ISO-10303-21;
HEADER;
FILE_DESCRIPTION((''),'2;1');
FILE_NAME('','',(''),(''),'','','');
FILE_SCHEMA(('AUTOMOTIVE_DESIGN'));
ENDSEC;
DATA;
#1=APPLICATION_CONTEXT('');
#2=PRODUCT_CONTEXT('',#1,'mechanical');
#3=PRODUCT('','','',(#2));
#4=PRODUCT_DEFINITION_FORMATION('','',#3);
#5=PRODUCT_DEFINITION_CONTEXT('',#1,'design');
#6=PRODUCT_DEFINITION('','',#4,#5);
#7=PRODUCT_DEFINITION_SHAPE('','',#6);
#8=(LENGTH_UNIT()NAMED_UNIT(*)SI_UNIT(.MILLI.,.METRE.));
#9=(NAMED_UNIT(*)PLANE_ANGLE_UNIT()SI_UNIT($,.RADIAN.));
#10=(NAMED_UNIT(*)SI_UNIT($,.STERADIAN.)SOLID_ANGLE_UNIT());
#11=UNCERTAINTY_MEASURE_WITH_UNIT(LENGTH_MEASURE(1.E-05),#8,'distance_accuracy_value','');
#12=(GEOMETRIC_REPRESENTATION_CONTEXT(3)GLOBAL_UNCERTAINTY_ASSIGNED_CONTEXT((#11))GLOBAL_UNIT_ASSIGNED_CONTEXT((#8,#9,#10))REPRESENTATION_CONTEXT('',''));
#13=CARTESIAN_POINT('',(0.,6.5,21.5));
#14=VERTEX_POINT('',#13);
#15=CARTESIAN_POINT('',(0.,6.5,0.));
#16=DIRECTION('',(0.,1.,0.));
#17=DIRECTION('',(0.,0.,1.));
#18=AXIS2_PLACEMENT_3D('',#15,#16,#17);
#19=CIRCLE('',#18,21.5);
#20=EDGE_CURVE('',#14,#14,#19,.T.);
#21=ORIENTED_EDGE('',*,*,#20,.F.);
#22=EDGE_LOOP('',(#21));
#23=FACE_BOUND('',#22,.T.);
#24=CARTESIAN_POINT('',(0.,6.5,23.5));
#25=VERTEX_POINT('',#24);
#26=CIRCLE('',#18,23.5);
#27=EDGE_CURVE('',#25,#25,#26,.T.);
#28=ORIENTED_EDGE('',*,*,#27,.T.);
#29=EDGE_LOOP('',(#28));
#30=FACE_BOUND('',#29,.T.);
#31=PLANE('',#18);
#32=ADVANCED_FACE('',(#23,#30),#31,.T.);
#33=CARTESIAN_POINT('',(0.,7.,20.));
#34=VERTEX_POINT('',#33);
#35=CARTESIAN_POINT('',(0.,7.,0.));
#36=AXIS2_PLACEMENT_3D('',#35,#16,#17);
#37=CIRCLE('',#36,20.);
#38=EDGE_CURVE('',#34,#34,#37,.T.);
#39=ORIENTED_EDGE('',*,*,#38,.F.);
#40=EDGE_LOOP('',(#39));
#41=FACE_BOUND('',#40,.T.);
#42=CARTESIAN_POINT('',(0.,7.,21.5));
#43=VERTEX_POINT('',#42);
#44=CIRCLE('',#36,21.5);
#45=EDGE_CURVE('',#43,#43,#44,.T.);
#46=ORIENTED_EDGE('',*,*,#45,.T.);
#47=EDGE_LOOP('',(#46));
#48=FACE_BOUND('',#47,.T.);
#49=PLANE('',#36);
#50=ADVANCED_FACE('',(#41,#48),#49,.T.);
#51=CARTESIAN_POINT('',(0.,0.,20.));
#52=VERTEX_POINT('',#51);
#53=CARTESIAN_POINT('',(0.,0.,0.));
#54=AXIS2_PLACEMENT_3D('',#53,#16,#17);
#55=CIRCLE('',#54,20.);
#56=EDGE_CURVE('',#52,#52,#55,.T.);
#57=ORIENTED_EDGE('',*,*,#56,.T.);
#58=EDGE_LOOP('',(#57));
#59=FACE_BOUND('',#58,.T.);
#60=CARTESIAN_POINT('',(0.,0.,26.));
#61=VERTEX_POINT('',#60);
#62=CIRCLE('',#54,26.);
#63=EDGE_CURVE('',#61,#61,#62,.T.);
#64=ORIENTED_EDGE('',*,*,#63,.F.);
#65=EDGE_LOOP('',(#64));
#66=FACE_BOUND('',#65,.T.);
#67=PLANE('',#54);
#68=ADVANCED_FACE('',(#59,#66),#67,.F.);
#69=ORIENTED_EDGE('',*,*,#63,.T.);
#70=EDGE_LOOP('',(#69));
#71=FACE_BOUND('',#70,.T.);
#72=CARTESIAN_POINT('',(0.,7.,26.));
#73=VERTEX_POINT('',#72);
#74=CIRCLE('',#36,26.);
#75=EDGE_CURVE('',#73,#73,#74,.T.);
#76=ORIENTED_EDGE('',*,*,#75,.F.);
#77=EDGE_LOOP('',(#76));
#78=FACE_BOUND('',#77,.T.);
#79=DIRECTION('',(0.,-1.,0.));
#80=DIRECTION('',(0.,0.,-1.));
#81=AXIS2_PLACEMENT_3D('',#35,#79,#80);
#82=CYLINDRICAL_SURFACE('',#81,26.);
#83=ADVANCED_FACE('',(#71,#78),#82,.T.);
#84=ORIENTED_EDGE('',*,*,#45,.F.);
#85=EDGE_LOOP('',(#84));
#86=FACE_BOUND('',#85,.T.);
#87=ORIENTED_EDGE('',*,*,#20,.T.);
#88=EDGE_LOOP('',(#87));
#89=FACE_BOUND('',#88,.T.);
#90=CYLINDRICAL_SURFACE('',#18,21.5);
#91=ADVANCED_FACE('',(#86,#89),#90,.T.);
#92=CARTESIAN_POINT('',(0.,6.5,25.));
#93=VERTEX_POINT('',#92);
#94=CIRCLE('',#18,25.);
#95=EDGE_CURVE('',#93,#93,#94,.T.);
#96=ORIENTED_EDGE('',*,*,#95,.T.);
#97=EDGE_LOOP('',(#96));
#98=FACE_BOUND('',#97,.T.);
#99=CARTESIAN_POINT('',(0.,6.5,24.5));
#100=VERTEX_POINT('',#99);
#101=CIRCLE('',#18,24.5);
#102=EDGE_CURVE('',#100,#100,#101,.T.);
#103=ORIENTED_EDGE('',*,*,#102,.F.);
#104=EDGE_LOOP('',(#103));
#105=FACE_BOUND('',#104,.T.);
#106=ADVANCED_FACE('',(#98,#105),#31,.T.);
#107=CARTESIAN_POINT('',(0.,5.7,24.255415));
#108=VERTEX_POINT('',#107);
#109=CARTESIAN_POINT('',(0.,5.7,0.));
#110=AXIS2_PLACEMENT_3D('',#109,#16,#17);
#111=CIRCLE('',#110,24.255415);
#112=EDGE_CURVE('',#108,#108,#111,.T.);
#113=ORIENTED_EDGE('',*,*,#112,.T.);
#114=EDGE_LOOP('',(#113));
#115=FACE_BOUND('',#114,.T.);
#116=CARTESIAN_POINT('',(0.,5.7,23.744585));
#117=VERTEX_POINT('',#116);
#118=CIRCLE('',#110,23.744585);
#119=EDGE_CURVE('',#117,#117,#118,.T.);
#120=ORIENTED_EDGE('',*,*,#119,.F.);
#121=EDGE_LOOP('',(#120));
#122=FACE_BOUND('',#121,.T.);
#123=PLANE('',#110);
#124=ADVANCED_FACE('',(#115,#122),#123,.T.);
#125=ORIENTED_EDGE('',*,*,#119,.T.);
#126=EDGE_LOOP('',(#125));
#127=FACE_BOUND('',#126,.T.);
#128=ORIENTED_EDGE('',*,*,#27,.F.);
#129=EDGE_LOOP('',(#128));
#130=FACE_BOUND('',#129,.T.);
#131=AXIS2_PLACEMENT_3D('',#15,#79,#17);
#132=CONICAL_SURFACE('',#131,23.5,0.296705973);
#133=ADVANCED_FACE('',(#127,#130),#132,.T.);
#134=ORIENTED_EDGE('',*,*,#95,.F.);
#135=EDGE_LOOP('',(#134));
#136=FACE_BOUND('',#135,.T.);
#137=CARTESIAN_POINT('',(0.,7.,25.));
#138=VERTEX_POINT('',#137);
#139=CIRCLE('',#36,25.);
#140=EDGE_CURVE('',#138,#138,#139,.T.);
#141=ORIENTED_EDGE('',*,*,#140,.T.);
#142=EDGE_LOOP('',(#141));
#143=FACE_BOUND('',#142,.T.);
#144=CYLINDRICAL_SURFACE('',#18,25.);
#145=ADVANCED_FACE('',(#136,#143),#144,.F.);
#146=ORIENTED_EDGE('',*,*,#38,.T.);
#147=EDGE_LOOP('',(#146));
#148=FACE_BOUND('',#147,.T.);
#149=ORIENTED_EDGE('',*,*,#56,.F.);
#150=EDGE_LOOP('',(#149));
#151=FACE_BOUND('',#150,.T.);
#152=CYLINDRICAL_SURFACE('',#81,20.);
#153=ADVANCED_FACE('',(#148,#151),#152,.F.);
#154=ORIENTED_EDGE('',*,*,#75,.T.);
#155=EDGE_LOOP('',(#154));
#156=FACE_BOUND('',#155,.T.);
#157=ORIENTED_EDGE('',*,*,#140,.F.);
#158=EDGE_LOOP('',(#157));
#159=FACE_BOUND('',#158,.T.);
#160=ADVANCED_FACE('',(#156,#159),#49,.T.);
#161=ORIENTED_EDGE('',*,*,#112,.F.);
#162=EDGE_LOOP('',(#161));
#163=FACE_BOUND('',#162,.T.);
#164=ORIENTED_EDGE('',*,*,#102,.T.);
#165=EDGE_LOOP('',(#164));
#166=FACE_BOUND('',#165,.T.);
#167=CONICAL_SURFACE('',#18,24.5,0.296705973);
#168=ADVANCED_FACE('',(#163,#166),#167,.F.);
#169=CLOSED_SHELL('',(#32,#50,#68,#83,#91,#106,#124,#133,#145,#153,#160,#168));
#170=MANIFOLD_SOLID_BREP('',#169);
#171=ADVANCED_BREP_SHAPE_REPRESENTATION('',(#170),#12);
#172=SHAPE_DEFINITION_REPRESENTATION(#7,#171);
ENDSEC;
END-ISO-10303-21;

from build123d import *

# Parameters (mm, degrees)
SKETCH_1_R          = 26
SKETCH_1_R_2        = 20
EXTRUDE_1_DEPTH     = 7
SKETCH_2_R          = 25
SKETCH_2_R_2        = 21.5
CUT_EXTRUDE_1_DEPTH = 0.5
SKETCH_3_R          = 24.5
SKETCH_3_R_2        = 23.5
CUT_EXTRUDE_2_DEPTH = 0.8
CUT_EXTRUDE_2_DRAFT = -17


with BuildPart() as part:
    # Эскиз1 → Бобышка-Вытянуть1 (new body)
    with BuildSketch(Plane(origin=(0, 0, 0), x_dir=(1, 0, 0), z_dir=(0, 1, 0))):
        with Locations(Location((0, 0, 0), (0, 0, 270))):
            Circle(SKETCH_1_R)
        with Locations(Location((0, 0, 0), (0, 0, 270))):
            Circle(SKETCH_1_R_2, mode=Mode.SUBTRACT)
    extrude(amount=EXTRUDE_1_DEPTH)

    # Эскиз2 → Вырез-Вытянуть1 (cut)
    with BuildSketch(Plane(origin=(0, 7, 0), x_dir=(1, 0, 0), z_dir=(0, 1, 0))):
        with Locations(Location((0, 0, 0), (0, 0, 270))):
            Circle(SKETCH_2_R)
        with Locations(Location((0, 0, 0), (0, 0, 270))):
            Circle(SKETCH_2_R_2, mode=Mode.SUBTRACT)
    extrude(amount=-CUT_EXTRUDE_1_DEPTH, mode=Mode.SUBTRACT)


with BuildPart() as cut_extrude_2_tool:
    # Эскиз3 → Вырез-Вытянуть2 (with draft: the straight prism first)
    with BuildSketch(Plane(origin=(0, 6.5, 0), x_dir=(1, 0, 0), z_dir=(0, 1, 0))):
        Circle(SKETCH_3_R)
        Circle(SKETCH_3_R_2, mode=Mode.SUBTRACT)
    extrude(amount=-CUT_EXTRUDE_2_DEPTH)
    # Вырез-Вытянуть2: the draft: its side faces are tilted about the plane it starts from
    cut_extrude_2_sides = [cut_extrude_2_tool.faces().sort_by_distance(p)[0] for p in [
        (-24.5, 6.1, 0),
        (-23.5, 6.1, 0),
    ]]
    draft(cut_extrude_2_sides, Plane(origin=(0, 6.5, 0), x_dir=(1, 0, 0), z_dir=(0, 1, 0)), CUT_EXTRUDE_2_DRAFT)


with BuildPart() as part_1:
    add(part.part)

    # Вырез-Вытянуть2: cut by cut_extrude_2_tool
    add(cut_extrude_2_tool.part, mode=Mode.SUBTRACT)


solid = part_1.part
